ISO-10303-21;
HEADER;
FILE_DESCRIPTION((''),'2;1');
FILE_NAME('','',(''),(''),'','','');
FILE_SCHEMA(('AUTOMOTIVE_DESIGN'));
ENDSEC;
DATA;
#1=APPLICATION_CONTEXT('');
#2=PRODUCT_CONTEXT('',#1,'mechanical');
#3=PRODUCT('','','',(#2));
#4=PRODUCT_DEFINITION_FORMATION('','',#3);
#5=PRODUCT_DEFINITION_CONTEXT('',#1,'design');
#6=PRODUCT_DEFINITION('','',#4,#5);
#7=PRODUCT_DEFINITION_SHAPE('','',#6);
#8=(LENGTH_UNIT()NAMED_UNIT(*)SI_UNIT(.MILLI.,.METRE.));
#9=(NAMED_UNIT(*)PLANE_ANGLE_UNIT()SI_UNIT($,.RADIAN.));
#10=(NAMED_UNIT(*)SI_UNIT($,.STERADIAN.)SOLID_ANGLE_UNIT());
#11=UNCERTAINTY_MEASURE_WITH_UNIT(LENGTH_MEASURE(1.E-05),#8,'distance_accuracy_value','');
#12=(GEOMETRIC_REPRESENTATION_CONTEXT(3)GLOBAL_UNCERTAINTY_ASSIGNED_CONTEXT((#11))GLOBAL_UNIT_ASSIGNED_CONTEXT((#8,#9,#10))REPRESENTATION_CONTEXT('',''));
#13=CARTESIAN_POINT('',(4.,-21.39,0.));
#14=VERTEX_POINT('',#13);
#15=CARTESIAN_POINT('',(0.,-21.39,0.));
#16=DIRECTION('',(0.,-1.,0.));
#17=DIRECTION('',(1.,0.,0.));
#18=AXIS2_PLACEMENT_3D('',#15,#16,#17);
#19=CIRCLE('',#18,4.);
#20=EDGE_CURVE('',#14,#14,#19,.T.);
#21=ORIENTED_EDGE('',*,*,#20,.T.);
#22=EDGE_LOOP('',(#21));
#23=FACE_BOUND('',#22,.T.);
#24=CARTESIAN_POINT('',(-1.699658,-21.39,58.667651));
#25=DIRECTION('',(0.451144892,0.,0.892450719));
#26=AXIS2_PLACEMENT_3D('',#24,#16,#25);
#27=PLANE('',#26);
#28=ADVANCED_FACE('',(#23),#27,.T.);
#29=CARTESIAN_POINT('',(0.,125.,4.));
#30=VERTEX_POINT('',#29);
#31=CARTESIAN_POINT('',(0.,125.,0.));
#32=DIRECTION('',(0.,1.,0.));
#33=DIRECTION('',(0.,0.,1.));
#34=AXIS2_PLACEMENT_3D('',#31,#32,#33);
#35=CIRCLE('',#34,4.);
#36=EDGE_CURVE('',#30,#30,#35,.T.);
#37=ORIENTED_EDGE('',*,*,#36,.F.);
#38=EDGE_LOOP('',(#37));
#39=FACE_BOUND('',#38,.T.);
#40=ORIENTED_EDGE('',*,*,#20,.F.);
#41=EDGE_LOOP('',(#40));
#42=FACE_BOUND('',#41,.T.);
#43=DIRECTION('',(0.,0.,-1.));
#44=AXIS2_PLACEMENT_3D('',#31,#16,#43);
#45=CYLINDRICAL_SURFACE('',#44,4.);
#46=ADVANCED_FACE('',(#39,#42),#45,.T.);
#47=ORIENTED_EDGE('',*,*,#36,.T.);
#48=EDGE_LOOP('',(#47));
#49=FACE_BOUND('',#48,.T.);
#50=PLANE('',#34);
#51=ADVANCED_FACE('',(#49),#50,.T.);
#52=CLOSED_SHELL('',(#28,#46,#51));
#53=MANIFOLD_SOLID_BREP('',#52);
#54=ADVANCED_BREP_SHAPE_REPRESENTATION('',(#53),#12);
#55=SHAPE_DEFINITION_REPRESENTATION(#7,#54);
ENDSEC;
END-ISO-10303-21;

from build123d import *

# Parameters (mm, degrees)
SKETCH_1_R      = 4
EXTRUDE_1_DEPTH = 125
EXTRUDE_START   = 21.39
SKETCH_2_R      = 4
EXTRUDE_2_DEPTH = 21.39


with BuildPart() as part:
    # 草图1 → 凸台-拉伸1 (new body)
    with BuildSketch(Plane(origin=(0, 0, 0), x_dir=(1, 0, 0), z_dir=(0, 1, 0))):
        with Locations(Location((0, 0, 0), (0, 0, 270))):
            Circle(SKETCH_1_R)
    extrude(amount=EXTRUDE_1_DEPTH)

    # 草图2 → 凸台-拉伸2 (add)
    with BuildSketch(Plane.XZ.offset(EXTRUDE_START)):
        Circle(SKETCH_2_R)
    extrude(amount=-EXTRUDE_2_DEPTH)


solid = part.part
